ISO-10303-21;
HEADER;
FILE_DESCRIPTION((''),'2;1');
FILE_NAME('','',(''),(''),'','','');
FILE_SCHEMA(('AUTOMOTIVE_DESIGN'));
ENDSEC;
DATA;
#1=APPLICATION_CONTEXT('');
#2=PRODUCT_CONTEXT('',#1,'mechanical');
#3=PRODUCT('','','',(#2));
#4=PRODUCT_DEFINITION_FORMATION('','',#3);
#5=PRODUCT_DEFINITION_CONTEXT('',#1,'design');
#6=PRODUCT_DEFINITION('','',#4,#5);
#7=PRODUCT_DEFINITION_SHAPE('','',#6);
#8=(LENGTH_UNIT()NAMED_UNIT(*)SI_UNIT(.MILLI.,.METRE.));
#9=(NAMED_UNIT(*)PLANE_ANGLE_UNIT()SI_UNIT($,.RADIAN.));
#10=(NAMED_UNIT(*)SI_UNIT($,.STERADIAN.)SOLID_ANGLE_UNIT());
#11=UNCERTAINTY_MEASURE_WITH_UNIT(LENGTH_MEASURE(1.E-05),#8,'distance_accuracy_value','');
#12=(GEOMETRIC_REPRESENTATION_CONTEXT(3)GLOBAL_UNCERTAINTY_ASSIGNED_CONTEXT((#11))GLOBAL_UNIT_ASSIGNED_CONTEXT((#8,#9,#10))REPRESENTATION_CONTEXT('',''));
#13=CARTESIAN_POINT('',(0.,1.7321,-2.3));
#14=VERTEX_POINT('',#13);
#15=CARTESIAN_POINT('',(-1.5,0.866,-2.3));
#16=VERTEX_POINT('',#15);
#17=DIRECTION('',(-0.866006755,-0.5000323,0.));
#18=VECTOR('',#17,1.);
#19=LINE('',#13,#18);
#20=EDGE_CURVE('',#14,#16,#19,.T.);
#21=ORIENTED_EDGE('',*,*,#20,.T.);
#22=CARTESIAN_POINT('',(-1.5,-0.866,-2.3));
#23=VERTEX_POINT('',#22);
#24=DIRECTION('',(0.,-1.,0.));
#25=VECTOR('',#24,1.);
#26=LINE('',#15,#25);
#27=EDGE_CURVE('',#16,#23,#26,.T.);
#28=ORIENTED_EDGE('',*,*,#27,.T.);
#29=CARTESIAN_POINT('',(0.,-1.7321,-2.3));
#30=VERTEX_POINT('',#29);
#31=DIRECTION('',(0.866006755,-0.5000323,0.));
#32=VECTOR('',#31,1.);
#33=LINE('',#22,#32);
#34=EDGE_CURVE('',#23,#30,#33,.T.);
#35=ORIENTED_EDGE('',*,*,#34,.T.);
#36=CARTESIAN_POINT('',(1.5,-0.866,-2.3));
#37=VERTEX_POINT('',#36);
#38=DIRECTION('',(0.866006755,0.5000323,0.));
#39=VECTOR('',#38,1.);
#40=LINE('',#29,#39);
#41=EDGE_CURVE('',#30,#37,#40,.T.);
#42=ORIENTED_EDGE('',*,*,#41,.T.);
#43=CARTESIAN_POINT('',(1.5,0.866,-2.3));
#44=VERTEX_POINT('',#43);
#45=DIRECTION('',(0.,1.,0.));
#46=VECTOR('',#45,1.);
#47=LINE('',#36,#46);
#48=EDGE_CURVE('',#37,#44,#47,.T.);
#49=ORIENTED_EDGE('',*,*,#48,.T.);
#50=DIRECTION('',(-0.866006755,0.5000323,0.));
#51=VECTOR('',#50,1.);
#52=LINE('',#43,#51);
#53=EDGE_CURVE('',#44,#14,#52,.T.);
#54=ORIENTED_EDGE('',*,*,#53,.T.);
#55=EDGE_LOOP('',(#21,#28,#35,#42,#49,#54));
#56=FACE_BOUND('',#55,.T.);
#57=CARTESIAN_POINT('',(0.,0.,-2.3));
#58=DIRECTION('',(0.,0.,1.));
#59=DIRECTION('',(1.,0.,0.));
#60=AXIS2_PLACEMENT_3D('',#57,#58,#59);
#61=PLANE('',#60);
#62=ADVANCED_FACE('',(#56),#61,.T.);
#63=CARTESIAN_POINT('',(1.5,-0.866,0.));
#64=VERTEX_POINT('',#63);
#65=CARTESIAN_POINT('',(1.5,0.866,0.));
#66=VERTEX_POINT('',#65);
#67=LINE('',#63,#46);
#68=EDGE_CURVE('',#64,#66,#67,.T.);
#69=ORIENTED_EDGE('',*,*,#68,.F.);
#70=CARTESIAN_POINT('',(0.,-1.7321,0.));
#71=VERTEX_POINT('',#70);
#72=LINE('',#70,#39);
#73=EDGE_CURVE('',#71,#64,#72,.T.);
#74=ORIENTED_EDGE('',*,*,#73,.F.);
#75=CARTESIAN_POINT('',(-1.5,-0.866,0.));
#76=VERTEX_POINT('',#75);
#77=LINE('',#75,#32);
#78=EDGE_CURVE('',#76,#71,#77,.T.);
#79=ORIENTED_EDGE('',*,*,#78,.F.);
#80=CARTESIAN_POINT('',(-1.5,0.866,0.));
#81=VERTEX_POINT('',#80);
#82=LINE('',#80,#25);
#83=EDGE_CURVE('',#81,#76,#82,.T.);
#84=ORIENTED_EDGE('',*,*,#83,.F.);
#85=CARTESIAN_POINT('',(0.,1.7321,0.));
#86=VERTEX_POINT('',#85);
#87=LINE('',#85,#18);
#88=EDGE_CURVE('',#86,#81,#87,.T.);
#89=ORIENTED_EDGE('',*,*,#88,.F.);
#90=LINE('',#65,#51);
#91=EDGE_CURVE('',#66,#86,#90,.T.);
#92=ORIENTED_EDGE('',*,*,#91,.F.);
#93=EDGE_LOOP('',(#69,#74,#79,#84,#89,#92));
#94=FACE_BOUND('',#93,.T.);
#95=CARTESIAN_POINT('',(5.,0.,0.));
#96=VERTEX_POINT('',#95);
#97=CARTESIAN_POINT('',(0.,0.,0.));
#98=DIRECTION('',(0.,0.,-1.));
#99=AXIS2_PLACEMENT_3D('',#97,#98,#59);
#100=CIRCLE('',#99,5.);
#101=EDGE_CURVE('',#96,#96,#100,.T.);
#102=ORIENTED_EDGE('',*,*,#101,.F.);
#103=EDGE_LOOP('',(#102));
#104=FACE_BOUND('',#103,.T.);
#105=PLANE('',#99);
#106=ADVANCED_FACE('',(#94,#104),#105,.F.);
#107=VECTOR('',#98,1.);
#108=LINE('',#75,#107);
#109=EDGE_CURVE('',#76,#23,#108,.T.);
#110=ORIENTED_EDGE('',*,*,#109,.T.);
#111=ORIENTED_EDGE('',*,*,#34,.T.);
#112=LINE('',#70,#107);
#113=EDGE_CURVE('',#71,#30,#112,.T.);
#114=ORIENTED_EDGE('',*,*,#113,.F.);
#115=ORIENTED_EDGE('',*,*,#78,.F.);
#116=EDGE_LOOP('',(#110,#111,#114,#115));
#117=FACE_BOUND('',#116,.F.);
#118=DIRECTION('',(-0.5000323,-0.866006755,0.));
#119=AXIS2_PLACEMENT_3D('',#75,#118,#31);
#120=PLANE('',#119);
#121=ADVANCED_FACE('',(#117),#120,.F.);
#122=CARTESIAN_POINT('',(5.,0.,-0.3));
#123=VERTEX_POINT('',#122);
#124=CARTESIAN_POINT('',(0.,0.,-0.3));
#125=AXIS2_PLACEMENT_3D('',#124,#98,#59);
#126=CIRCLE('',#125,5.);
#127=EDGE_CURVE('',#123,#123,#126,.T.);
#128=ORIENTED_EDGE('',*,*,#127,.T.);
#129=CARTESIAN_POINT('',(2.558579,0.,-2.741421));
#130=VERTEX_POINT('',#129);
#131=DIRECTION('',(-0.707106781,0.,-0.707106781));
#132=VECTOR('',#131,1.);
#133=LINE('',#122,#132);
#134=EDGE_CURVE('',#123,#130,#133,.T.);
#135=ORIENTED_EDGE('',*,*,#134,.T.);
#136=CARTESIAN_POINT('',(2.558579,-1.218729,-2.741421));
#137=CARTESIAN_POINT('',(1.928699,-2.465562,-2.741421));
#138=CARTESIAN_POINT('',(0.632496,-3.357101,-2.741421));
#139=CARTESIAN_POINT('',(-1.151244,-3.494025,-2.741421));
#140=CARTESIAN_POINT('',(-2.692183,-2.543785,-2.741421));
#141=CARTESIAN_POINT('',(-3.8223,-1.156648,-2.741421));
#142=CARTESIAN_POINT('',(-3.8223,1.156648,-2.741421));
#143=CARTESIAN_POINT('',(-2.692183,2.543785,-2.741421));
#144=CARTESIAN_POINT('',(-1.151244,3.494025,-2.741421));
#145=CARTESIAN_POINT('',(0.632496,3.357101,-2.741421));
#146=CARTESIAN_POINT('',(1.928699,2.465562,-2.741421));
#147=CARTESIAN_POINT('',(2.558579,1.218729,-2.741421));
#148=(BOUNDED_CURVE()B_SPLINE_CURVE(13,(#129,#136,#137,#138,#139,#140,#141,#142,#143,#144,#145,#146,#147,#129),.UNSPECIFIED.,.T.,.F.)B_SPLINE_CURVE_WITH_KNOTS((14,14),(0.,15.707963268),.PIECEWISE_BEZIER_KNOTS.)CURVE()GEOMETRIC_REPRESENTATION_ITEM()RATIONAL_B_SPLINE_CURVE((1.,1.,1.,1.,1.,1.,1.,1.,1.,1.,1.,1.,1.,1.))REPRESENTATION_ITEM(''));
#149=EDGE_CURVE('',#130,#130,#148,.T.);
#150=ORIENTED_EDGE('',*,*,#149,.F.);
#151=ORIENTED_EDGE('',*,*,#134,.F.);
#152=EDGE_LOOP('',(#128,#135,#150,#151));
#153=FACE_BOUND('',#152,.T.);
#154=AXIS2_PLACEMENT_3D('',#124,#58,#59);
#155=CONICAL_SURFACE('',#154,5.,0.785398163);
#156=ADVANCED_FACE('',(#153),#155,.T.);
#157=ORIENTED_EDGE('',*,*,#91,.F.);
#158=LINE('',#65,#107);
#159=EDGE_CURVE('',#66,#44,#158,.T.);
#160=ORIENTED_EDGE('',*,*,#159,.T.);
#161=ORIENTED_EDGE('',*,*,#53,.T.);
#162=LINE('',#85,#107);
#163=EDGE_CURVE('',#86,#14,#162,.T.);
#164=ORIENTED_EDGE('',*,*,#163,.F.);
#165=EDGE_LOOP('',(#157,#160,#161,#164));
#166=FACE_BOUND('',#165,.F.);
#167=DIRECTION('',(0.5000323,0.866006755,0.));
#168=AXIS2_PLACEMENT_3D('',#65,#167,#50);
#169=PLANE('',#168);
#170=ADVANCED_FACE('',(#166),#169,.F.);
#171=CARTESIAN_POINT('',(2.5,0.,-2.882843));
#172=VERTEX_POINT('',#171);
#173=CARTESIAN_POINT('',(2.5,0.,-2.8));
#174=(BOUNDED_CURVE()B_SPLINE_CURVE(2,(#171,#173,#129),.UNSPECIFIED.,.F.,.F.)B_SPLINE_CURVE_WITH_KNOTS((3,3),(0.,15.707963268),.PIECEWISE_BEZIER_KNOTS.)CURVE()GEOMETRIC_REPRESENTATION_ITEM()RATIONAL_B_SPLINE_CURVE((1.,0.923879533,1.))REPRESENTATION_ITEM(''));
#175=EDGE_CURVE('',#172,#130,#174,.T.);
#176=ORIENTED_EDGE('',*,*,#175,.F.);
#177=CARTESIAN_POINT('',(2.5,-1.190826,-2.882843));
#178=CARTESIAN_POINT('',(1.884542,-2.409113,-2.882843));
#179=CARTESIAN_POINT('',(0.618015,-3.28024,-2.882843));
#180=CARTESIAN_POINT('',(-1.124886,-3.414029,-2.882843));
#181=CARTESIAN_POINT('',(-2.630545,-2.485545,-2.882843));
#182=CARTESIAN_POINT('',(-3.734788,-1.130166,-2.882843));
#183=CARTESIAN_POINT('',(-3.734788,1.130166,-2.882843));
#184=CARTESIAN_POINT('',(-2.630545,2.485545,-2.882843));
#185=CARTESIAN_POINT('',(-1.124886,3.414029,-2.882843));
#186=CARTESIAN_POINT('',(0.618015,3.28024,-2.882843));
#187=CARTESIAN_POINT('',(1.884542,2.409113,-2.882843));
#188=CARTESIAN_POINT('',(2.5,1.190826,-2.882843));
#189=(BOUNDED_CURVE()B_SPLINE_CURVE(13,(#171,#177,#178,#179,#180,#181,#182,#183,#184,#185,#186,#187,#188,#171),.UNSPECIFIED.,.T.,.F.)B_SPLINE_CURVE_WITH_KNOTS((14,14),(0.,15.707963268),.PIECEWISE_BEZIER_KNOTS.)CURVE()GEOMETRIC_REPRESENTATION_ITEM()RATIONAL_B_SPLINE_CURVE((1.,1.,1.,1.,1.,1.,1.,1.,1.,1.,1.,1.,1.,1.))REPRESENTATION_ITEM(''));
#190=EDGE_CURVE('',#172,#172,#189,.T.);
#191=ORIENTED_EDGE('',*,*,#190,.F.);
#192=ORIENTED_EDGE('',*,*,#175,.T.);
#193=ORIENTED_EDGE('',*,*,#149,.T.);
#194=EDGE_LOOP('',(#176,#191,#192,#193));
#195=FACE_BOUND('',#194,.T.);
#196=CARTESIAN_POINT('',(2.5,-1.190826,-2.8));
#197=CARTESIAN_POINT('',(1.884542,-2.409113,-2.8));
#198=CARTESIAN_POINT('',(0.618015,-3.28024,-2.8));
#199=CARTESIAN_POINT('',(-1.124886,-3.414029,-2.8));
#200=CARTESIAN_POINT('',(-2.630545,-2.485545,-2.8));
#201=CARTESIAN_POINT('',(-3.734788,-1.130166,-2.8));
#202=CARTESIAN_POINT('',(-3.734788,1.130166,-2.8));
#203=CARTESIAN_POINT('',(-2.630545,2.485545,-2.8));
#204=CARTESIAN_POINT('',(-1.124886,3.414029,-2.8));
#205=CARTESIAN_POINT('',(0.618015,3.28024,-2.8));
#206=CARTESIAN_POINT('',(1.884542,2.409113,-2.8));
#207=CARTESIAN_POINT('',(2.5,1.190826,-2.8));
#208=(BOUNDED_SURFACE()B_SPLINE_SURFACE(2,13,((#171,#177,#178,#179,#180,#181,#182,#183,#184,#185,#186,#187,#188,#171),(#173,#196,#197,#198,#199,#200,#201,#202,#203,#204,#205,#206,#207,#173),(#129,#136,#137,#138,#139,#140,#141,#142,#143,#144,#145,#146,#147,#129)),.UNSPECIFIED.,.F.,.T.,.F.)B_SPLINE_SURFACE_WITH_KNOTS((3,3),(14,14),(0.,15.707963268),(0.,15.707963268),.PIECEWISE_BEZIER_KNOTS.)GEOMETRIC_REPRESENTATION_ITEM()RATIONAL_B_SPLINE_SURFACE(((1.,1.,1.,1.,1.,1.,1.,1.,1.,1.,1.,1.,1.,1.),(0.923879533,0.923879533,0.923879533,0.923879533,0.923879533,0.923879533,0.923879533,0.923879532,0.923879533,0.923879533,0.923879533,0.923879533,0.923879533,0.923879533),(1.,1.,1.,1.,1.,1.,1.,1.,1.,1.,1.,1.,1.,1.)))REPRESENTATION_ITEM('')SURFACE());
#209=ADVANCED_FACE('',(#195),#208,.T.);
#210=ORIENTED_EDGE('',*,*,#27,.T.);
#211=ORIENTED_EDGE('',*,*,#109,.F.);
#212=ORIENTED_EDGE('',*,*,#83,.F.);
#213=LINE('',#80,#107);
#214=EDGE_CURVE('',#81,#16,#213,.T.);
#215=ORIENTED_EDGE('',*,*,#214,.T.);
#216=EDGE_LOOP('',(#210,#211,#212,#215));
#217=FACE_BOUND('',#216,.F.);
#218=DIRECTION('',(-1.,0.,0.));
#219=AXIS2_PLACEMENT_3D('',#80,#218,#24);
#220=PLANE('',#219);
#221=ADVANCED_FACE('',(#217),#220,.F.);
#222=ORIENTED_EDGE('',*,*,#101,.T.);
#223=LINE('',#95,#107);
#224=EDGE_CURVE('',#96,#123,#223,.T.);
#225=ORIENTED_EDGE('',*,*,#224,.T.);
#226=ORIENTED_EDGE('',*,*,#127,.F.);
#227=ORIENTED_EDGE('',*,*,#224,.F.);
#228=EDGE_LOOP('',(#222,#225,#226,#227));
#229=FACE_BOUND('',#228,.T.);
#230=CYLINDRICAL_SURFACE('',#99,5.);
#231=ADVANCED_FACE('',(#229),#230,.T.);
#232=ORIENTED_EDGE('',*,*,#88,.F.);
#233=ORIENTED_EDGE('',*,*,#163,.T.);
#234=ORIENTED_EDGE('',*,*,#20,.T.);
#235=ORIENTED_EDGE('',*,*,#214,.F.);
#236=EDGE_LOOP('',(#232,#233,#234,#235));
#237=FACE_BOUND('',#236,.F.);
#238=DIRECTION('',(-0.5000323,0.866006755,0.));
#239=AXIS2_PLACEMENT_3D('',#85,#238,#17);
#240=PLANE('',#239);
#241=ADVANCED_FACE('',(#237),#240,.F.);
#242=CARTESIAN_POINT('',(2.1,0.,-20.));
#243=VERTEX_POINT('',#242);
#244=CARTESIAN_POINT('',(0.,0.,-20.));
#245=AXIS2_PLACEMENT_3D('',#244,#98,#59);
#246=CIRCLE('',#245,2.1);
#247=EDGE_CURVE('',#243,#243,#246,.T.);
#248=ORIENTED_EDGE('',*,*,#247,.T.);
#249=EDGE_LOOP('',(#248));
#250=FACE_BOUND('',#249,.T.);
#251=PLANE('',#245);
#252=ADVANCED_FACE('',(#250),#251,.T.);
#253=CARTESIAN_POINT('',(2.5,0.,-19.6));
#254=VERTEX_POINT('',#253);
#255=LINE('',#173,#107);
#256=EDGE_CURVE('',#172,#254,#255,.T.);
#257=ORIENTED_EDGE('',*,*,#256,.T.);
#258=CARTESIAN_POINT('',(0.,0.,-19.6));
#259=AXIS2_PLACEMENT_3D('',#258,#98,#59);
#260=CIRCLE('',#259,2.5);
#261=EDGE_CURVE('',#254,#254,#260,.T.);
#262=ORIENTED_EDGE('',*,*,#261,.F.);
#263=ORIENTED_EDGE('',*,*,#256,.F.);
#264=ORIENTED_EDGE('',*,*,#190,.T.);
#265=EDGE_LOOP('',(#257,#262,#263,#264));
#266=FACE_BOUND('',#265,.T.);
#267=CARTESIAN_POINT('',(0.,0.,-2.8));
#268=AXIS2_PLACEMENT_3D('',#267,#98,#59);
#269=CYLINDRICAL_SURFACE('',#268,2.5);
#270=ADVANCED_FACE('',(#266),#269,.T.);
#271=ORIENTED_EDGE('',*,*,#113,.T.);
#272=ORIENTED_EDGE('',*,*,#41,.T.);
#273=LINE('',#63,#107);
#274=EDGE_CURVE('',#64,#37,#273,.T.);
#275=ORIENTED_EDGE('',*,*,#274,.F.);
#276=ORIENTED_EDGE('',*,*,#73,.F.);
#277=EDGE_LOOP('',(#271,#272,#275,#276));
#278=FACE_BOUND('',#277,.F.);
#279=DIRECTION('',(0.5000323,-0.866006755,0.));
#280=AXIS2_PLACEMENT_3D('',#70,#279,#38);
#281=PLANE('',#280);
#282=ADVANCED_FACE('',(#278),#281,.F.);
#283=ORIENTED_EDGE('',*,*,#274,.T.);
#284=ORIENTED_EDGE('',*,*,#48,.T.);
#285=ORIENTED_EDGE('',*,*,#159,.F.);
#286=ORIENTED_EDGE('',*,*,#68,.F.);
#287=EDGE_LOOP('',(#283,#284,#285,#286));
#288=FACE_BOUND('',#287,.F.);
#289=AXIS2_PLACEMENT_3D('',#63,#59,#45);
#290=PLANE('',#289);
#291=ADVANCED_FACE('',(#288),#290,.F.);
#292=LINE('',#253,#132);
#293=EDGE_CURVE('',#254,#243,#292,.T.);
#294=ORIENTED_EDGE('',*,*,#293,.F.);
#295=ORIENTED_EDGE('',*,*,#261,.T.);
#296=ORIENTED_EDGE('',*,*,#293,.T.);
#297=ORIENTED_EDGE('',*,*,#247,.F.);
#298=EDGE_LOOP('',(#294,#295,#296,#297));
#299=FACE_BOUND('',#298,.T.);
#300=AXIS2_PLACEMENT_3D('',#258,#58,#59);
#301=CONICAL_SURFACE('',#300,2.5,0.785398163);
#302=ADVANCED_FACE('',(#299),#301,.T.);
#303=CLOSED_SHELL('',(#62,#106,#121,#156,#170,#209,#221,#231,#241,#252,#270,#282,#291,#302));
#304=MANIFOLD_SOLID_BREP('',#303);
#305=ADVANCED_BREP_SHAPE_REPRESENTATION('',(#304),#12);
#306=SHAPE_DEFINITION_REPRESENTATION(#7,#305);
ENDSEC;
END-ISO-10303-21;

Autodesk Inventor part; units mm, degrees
ref_plane "YZ Plane" through (0, 0, 0) normal (1, 0, 0) x (0, 1, 0)
sketch "Sketch1" plane through (0, 0, 0) normal (0, 1, 0) x (-1, 0, 0)
  point P0 (0, 0)
sketch "Sketch2" plane through (0, 0, 0) normal (0, 1, 0) x (-1, 0, 0)
  line L0 (-2.5, -20) -> (0, -20)
  line L1 (-2.5, -2.8) -> (-2.5, -20)
  line L2 (-5, -0.3) -> (-2.5, -2.8)
  line L3 (-5, 0) -> (-5, -0.3)
  line L4 (0, 0) -> (-5, 0)
  line L5 (0, -20) -> (0, 0)
  line L6 (0, -20) -> (0, 0)
  line L7 (0, -24) -> (0, 4) projected
  line L8 (1, 0) -> (-6, 0) projected
  dimension "d3" = 5
  dimension "d5" = 2.5
  dimension "d7" = 20
  dimension "ParC" = 0.3
  dimension "d22" = 0
  dimension "d23" = 0
  dimension "d43" = 45
revolve "Revolution1" add sketch "Sketch2" angle 360 about axis through (0, 0, -20) along (0, 0, -1)
sketch "Sketch3" plane through (0, 0, 0) normal (0, 0, 1) x (1, 0, 0)
  line L0 (-1.5, 0.866) -> (-1.5, -0.866)
  line L1 (0, 1.7321) -> (-1.5, 0.866)
  line L2 (1.5, 0.866) -> (0, 1.7321)
  line L3 (1.5, -0.866) -> (1.5, 0.866)
  line L4 (0, -1.7321) -> (1.5, -0.866)
  line L5 (-1.5, -0.866) -> (0, -1.7321)
  circle A0 centre (0, 0) radius 1.5 construction
  circle A1 centre (0, 0) radius 2.5 construction
  dimension "d11" = 3
  dimension "d13" = 120
  dimension "d15" = 120
extrude "Extrusion1" cut sketch "Sketch3" against normal blind 2.3
fillet "Fillet1" radius 0.2 1 edges at (-2.5, 0, -2.8)
chamfer "Chamfer1" distance 0.4 angle 45 1 edges at (-2.5, 0, -20) measured on face at (-0.599, -2.4272, -14.2943)
thread "Thread1" size "M5x0.8" class "6g" standard "ISO Metric profile" length 15.6
ref_plane "MSC_PF1" through (0, 0, 0) normal (1, 0, 0) x (0, 1, 0)
ref_plane "MSC_PT1" through (0, 0, 0) normal (0, 0, -1) x (-1, 0, 0)
equation "\"d3\" = 0.5 * dk"
equation "\"d5\" = 0.5 * NND"
equation "\"d7\" = NLG"
equation "\"d43\" = 0.5 * ang"
equation "\"d18\" = r"
equation "\"d19\" = 0.5 * PTC"
equation "\"d39\" = 0.5 * PTC"
equation "\"d11\" = ParS"
equation "\"d16\" = ParT"
equation "\"NND\" = 5"
equation "\"PTC\" = 0.8"
equation "\"ParK\" = 2.8"
equation "\"ParS\" = 3"
equation "\"ParT\" = 2.3"
equation "\"r\" = 0.2"
equation "\"NLG\" = 20"
equation "\"ang\" = 90deg"
equation "\"THREADDIA\" = NND"
equation "\"dk\" = 10"
properties part number "DIN 7991 - M5x20" material "Steel, Mild"
